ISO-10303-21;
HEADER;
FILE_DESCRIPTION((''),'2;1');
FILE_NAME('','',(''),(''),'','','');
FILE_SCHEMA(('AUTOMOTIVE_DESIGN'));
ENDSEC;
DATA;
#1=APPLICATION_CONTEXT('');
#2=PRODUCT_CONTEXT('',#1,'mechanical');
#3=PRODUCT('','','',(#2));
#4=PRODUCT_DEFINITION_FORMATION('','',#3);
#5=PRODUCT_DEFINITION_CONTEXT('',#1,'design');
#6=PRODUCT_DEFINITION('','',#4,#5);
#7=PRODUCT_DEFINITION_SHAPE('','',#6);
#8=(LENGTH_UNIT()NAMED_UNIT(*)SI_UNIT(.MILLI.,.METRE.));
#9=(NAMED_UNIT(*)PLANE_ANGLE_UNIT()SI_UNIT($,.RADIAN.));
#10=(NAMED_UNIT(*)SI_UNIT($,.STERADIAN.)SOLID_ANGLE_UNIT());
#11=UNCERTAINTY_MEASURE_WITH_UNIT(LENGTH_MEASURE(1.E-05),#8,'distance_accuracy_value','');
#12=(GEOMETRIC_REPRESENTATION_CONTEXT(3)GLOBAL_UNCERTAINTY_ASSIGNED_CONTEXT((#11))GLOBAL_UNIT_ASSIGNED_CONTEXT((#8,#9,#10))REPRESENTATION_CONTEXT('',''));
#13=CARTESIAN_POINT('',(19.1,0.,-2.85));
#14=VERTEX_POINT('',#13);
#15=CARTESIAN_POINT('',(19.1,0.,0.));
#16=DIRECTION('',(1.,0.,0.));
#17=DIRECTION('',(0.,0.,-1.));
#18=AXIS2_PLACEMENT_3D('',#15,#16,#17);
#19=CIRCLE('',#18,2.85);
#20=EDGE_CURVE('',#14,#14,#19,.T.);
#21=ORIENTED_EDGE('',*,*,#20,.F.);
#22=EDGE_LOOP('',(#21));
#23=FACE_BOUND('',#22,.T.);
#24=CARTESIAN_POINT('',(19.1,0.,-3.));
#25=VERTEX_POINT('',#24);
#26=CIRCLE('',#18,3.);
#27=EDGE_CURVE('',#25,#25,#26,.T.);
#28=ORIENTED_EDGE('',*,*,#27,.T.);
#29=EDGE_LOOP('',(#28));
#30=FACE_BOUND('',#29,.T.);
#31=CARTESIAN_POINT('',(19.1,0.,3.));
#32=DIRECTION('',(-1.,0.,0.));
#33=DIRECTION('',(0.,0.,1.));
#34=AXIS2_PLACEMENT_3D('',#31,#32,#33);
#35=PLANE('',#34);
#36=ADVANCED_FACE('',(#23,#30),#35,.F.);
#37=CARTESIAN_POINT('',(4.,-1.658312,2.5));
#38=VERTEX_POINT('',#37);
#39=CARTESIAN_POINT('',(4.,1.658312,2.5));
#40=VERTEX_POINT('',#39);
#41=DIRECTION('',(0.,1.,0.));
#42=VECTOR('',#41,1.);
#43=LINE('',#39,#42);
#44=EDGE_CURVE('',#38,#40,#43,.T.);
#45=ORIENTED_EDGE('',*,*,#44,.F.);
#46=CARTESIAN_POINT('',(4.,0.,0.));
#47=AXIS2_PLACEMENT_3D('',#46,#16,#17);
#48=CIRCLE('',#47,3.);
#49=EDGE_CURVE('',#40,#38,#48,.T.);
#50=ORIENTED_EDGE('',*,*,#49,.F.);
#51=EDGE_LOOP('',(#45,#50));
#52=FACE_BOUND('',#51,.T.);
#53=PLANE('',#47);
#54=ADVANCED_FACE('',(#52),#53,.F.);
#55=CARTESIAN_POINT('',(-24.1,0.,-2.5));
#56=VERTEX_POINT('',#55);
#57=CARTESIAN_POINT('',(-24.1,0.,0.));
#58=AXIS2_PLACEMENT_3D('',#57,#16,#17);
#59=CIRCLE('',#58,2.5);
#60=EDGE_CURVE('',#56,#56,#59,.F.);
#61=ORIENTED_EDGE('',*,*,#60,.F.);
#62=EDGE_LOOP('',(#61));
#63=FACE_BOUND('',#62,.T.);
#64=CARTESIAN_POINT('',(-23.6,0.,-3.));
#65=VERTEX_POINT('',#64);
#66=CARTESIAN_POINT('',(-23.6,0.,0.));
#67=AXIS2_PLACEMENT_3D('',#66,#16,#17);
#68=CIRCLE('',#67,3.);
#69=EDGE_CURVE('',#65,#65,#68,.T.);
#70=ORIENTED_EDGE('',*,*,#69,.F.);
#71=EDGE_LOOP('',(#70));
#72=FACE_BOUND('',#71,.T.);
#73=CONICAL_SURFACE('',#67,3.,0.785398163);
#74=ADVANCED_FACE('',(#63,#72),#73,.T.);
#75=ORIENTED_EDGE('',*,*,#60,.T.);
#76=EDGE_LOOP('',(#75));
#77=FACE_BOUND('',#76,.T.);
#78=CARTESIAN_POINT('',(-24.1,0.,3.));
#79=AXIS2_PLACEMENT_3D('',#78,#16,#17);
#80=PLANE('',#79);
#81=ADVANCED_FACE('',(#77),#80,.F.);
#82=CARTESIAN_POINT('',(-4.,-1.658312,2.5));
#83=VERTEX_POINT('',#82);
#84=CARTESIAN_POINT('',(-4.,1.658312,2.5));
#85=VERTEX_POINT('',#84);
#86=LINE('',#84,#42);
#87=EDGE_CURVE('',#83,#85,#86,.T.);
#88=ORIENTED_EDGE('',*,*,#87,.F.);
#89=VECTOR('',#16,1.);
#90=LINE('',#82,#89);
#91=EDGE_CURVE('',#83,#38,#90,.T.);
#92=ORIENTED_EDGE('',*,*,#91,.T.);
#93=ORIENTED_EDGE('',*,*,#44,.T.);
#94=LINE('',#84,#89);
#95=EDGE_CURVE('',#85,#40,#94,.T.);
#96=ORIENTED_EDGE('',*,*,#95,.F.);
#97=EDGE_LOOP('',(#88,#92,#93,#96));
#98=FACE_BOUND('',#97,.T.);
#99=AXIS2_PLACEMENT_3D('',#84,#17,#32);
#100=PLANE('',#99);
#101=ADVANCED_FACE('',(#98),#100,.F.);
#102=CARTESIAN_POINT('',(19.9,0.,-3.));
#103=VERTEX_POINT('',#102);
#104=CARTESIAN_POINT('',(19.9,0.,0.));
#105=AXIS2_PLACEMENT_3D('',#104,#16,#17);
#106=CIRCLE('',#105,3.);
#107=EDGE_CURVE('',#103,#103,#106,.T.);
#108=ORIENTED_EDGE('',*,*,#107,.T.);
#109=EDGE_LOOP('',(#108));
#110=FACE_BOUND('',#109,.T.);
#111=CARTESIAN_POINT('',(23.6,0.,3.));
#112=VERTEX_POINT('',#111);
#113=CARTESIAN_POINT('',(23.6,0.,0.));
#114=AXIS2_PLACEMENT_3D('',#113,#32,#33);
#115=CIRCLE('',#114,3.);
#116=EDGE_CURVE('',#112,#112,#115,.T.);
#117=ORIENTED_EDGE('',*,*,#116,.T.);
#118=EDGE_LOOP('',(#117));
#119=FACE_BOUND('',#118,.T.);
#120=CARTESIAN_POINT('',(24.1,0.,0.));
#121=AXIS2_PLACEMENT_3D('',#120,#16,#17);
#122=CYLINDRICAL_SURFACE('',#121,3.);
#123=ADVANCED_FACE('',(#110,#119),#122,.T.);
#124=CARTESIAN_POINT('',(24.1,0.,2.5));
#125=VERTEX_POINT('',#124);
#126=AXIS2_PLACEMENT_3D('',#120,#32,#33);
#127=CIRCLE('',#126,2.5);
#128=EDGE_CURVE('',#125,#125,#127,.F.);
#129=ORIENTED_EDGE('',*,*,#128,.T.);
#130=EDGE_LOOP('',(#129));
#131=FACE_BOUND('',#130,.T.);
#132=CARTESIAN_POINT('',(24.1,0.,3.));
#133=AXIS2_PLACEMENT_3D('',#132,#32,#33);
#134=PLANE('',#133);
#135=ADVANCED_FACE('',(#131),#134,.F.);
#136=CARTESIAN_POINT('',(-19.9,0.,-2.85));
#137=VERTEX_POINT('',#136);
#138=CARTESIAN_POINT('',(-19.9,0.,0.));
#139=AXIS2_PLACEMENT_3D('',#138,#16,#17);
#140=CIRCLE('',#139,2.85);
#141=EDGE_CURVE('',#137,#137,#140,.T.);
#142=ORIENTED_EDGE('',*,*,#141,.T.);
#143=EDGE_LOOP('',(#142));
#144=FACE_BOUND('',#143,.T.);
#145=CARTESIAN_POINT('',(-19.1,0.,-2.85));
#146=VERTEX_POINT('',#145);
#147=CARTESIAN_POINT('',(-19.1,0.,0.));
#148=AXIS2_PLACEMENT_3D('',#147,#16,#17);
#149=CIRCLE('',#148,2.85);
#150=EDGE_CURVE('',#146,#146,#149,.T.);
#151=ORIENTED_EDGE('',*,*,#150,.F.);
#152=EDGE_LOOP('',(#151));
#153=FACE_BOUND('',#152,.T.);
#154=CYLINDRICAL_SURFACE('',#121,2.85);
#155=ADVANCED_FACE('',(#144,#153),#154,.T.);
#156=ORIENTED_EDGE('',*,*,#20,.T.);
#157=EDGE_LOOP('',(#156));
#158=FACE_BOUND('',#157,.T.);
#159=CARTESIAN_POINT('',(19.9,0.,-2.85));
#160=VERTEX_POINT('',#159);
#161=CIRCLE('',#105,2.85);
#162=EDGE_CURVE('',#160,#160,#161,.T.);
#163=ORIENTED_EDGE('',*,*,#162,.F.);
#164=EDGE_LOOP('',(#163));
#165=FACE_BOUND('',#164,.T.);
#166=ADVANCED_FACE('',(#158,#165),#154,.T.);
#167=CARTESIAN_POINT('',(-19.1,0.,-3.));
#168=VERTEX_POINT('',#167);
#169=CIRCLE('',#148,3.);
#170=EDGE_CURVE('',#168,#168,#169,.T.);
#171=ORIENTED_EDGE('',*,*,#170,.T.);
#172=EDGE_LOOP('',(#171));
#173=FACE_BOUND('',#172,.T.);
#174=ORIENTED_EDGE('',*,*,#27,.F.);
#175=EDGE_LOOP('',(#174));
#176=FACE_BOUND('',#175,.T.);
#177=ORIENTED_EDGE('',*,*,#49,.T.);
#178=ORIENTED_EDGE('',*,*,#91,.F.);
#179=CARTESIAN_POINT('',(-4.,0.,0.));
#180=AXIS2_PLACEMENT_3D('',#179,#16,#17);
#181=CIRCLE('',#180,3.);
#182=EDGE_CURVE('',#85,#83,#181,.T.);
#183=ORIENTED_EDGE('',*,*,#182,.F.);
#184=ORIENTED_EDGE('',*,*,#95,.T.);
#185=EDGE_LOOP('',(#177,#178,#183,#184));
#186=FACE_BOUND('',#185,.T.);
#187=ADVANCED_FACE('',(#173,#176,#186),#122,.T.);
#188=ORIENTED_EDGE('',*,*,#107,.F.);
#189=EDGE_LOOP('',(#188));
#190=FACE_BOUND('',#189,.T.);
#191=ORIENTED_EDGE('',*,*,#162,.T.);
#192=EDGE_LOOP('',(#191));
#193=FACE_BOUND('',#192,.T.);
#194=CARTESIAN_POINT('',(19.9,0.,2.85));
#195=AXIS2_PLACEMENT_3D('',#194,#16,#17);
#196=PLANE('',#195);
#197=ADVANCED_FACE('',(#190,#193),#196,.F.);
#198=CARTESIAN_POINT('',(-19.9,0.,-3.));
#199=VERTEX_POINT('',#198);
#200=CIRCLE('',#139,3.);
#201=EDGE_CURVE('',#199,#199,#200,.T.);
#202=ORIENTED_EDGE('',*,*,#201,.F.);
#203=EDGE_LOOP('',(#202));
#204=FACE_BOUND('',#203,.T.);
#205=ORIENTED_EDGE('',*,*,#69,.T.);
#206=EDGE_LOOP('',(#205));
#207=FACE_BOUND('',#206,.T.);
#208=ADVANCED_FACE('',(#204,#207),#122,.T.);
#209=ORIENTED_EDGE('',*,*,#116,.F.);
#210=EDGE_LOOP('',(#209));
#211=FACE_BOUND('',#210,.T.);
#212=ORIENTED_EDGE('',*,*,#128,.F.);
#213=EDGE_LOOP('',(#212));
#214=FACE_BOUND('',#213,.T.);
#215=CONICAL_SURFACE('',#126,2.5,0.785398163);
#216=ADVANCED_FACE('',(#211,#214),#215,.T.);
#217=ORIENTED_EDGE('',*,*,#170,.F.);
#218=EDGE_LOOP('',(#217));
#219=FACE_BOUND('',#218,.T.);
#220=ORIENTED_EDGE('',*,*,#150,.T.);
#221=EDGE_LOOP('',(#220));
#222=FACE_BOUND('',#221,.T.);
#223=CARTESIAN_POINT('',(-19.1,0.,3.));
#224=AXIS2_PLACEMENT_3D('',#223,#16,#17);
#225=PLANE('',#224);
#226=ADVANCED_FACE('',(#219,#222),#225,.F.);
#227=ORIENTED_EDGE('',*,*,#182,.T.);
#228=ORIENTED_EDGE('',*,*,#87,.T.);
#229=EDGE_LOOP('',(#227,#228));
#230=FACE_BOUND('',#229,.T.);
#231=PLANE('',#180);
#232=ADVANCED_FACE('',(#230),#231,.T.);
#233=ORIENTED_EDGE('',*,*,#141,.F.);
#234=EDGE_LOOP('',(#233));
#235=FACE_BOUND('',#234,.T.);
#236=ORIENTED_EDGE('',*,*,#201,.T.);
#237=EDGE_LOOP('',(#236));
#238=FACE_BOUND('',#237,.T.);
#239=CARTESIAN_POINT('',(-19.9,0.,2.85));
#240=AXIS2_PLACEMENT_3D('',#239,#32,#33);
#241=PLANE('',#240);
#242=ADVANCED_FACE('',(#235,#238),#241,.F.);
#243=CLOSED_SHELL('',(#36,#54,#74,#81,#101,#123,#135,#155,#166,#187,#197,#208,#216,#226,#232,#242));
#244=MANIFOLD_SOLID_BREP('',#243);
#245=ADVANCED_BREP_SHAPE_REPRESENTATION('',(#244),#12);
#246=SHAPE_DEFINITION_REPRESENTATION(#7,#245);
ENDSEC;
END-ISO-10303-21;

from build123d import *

# Parameters (mm, degrees)
CORTAR_EXTRUIR1_DEPTH = 4
CHAFL_N1_SIZE         = 0.5


with BuildPart() as part:
    # Croquis1 → Revolución1 (revolve)
    with BuildSketch(Plane(origin=(0, 0, 0), x_dir=(-1, 0, 0), z_dir=(0, 1, 0)), mode=Mode.PRIVATE) as revoluci_n1_sk:
        Polygon((-19.1, 3), (19.1, 3), (19.1, 2.85), (19.9, 2.85), (19.9, 3), (24.1, 3), (24.1, 0), (-24.1, 0), (-24.1, 3), (-19.9, 3), (-19.9, 2.85), (-19.1, 2.85), align=None)
    revolve(revoluci_n1_sk.sketch.rotate(Axis((24.1, 0, 0), (-1, 0, 0)), 180), axis=Axis((24.1, 0, 0), (-1, 0, 0)))

    # Croquis2 → Cortar-Extruir1 (cut, symmetric)
    with BuildSketch(Plane.YZ):
        with BuildLine():
            Line((1.658312395, 2.5), (-1.658312395, 2.5))
            ThreePointArc((-1.658312395, 2.5), (0, 3), (1.658312395, 2.5))
        make_face()
    extrude(amount=CORTAR_EXTRUIR1_DEPTH, both=True, mode=Mode.SUBTRACT)

    # Chaflán1
    chafl_n1_edges = [part.edges().sort_by_distance(p)[0] for p in [
        (24.1, 0, 3),
        (-24.1, 0, 3),
    ]]
    chamfer(chafl_n1_edges, length=CHAFL_N1_SIZE)


solid = part.part
